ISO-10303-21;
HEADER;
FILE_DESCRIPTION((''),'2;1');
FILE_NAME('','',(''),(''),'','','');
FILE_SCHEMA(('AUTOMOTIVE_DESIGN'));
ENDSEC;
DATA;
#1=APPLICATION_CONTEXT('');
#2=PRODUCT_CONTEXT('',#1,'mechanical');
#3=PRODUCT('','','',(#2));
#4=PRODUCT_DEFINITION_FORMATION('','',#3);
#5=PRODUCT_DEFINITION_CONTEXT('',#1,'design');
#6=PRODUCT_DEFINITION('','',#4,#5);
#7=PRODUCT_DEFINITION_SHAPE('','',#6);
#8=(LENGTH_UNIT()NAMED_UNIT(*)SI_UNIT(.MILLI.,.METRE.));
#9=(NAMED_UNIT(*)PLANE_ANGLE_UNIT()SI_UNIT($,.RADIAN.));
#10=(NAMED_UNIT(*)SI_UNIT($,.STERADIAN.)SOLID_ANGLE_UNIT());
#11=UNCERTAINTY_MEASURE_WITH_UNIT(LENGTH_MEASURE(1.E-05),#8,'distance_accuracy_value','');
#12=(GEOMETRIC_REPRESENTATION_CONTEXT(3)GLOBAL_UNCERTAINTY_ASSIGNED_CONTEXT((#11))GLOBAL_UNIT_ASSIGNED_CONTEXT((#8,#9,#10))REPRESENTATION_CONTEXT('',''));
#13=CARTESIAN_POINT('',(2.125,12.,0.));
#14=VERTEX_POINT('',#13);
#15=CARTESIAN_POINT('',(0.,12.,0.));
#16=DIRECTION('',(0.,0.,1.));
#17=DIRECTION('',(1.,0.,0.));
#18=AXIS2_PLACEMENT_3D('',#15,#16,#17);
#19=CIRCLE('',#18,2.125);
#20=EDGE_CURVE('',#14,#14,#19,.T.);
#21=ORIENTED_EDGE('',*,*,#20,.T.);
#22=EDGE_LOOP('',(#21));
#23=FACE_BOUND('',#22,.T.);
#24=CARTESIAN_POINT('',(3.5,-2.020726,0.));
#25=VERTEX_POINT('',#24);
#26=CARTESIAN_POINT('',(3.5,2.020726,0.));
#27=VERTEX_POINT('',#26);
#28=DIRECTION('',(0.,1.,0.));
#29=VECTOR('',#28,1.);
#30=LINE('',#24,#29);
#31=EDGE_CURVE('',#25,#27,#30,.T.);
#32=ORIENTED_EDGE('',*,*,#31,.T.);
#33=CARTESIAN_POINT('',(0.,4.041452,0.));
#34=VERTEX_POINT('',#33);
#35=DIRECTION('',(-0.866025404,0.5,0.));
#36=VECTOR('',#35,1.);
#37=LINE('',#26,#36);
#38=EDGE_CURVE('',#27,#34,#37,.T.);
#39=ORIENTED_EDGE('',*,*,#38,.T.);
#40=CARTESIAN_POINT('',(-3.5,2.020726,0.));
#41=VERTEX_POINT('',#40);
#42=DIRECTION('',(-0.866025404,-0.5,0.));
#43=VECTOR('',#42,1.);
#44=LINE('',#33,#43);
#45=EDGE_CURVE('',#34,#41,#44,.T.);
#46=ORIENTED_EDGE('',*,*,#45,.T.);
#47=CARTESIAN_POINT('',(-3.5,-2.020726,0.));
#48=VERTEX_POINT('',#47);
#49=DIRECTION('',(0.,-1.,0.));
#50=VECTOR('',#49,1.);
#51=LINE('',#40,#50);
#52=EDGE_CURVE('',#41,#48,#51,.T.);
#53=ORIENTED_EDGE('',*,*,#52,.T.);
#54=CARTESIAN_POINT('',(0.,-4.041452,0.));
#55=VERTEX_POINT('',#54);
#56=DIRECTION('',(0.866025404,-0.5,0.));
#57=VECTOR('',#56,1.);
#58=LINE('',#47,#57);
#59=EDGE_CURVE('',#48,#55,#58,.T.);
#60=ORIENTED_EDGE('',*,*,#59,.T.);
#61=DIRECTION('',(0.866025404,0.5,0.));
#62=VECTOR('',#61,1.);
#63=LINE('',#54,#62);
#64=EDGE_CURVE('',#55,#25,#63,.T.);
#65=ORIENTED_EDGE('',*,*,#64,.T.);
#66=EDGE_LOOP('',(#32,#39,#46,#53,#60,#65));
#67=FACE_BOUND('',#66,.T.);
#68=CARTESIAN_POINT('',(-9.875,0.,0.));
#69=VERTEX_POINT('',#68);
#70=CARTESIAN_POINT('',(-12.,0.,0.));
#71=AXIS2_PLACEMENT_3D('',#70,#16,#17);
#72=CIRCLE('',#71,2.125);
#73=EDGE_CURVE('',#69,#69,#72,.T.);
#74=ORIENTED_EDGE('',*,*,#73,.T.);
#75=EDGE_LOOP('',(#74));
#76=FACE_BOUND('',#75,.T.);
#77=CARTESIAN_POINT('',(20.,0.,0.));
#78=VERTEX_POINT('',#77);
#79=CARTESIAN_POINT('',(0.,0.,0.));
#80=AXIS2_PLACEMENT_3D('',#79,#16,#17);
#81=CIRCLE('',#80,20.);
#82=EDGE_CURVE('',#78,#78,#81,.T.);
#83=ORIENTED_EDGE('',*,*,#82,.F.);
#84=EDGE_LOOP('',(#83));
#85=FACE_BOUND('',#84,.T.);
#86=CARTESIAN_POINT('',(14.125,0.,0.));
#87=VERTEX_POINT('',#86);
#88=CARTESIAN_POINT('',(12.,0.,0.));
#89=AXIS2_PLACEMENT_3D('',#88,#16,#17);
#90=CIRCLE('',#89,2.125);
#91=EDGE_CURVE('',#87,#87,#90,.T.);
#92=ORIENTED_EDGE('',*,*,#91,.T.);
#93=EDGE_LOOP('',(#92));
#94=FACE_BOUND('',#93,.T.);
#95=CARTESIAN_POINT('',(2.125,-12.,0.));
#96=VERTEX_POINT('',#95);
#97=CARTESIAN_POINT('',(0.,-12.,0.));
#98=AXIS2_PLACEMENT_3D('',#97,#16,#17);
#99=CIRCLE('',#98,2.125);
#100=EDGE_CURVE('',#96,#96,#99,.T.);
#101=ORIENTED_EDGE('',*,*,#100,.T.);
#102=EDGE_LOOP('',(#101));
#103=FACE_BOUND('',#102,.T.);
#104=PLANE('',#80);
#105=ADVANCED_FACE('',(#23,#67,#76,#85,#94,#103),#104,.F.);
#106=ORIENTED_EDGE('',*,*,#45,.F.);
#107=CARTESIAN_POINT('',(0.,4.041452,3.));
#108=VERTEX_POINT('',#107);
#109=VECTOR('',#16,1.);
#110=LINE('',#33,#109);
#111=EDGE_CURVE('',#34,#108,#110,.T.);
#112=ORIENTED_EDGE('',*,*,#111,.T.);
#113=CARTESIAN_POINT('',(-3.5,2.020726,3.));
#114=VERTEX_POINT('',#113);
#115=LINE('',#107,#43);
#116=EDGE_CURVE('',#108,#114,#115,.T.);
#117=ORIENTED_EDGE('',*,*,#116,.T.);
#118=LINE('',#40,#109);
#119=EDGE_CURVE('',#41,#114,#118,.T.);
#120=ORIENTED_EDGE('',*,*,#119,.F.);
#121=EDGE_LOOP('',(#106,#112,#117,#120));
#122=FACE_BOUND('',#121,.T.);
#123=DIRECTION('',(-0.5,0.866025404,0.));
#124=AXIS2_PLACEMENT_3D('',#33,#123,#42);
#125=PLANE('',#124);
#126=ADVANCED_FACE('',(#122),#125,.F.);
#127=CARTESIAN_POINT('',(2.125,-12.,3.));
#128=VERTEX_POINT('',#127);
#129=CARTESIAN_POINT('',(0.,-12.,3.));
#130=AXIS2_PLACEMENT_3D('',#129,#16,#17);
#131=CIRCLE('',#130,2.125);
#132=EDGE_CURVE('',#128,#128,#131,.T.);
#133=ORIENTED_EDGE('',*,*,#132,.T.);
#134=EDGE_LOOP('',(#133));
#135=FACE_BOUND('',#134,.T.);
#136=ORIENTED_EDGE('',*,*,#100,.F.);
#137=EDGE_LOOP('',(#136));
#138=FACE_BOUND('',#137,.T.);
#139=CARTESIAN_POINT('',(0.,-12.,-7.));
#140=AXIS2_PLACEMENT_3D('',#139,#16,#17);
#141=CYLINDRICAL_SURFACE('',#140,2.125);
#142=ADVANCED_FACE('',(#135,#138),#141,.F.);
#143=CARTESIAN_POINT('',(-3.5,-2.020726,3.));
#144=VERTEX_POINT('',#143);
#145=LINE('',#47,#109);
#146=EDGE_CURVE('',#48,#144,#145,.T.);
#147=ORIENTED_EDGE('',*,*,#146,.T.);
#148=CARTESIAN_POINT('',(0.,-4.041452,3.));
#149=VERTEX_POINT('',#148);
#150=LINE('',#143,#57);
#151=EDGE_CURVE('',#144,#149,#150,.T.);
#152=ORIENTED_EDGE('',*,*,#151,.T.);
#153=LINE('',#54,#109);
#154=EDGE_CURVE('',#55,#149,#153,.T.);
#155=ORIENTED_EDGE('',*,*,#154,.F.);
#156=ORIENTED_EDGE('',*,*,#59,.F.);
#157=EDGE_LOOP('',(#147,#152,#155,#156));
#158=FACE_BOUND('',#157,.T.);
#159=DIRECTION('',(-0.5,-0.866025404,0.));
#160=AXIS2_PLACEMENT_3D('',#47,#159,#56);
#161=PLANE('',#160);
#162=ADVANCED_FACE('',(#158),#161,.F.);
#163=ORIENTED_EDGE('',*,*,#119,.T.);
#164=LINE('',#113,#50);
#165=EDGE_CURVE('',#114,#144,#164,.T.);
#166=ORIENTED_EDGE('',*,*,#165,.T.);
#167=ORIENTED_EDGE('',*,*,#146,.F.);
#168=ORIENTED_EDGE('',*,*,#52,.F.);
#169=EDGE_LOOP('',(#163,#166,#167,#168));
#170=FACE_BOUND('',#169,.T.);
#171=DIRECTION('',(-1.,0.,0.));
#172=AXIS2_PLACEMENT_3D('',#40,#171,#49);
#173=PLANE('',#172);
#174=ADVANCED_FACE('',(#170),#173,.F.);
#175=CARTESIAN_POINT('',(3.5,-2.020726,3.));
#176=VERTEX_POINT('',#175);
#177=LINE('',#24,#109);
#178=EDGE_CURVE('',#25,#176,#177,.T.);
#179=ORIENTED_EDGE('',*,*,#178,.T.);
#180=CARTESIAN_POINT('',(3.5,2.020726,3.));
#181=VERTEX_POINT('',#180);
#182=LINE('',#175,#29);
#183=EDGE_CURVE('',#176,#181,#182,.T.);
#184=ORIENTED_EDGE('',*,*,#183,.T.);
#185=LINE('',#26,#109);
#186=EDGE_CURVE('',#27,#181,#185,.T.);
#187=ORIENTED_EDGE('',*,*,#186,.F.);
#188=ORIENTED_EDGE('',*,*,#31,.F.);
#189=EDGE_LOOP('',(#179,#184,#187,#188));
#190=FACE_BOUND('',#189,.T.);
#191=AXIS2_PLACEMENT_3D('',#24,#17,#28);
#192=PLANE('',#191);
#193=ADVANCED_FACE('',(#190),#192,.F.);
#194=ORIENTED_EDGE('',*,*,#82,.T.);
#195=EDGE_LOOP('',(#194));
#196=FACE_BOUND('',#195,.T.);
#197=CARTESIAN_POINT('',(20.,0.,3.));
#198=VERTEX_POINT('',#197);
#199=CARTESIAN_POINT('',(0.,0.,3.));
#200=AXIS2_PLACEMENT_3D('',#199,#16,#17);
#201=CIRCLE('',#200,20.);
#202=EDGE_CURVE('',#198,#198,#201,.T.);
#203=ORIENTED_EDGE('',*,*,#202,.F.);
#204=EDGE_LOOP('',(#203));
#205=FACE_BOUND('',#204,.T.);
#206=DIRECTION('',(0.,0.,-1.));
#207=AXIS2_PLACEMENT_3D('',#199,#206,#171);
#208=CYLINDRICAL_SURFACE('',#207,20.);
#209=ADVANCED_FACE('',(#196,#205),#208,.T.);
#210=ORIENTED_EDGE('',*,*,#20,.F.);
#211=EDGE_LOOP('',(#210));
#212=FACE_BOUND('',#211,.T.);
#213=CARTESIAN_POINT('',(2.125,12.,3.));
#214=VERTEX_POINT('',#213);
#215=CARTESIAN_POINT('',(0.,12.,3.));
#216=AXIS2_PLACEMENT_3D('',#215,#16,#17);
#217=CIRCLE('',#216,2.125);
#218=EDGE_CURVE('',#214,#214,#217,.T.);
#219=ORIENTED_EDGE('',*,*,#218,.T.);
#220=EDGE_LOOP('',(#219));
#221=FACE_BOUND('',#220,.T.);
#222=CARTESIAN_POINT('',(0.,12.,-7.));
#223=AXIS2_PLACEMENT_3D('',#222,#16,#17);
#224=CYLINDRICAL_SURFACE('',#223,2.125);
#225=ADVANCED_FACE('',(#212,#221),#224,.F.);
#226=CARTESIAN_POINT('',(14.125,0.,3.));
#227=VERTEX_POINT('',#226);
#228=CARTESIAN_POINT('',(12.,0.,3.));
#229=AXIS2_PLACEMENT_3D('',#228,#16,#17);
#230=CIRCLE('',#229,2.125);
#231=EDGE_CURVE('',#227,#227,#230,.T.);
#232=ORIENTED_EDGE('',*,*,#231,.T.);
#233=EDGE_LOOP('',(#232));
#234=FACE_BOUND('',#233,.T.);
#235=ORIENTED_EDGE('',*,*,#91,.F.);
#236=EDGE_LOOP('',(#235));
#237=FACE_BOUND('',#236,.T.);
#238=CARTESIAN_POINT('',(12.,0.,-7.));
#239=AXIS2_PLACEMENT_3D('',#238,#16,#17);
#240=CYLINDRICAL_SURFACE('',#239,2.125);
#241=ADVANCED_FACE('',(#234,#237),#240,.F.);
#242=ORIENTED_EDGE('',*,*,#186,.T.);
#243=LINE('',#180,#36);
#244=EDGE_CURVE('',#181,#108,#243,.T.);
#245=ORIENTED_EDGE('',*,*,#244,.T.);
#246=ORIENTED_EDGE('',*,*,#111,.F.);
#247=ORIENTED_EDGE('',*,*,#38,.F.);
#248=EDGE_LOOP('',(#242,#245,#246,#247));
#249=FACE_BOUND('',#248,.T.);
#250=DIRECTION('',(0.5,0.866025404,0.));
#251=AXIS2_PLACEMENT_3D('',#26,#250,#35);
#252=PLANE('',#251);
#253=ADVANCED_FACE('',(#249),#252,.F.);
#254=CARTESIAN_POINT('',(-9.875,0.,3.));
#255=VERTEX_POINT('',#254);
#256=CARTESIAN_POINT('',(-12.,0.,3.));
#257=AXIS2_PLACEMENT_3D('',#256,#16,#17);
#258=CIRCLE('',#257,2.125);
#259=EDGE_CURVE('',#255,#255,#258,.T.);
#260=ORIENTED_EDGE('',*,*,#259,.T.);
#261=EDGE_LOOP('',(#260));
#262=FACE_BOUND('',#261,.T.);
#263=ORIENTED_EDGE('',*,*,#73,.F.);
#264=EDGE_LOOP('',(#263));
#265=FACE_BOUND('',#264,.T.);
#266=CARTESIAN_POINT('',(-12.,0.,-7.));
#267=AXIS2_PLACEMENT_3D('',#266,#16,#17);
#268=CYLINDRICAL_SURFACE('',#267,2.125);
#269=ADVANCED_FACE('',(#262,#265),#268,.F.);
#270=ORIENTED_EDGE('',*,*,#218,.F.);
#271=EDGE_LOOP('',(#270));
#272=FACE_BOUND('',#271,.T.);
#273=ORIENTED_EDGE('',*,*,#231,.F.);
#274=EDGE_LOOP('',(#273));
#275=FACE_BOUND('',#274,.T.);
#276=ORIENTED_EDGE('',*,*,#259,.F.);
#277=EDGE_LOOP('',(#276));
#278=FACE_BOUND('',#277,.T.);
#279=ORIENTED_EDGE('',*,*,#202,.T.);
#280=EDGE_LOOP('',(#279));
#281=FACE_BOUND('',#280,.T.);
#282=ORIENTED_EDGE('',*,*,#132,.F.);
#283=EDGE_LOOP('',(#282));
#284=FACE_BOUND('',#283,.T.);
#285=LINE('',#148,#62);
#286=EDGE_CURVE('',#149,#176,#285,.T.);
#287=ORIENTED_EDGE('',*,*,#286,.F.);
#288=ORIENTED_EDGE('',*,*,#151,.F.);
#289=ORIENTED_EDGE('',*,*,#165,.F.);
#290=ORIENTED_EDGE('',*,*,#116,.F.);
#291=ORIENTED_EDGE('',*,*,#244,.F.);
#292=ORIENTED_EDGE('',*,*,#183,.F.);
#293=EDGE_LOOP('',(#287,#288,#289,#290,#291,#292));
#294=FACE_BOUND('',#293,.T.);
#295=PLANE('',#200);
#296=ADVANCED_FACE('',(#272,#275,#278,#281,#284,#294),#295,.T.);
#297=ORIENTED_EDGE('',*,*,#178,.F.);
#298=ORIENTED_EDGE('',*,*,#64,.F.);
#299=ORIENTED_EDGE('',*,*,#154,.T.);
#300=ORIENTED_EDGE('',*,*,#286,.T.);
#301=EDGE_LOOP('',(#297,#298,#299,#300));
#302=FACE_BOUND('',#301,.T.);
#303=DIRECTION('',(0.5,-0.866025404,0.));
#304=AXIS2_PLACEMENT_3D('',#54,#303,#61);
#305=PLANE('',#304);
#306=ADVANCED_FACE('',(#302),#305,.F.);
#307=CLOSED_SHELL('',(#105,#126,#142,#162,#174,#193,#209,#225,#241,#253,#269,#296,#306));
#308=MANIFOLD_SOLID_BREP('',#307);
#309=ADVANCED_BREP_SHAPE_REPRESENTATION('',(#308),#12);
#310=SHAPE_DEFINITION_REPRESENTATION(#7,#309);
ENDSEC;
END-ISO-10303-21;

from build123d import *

# Parameters (mm, degrees)
SKETCH1_R           = 20
BOSS_EXTRUDE1_DEPTH = 3
CUT_EXTRUDE2_DEPTH  = 3
SKETCH4_R           = 2.125
CUT_EXTRUDE3_DEPTH  = 10


with BuildPart() as part:
    # Sketch1 → Boss-Extrude1 (new body)
    with BuildSketch(Plane.XY):
        Circle(SKETCH1_R)
    extrude(amount=BOSS_EXTRUDE1_DEPTH)

    # Sketch3 → Cut-Extrude2 (cut)
    with BuildSketch(Plane.XY.offset(3)):
        Polygon((0, 4.041451884), (-3.5, 2.020725942), (-3.5, -2.020725942), (0, -4.041451884), (3.5, -2.020725942), (3.5, 2.020725942), align=None)
    extrude(amount=-CUT_EXTRUDE2_DEPTH, mode=Mode.SUBTRACT)

    # Sketch4 → Cut-Extrude3 (cut)
    with BuildSketch(Plane.XY.offset(3)):
        with Locations((0, 12)):
            Circle(SKETCH4_R)
        with Locations((12, 0)):
            Circle(SKETCH4_R)
        with Locations((0, -12)):
            Circle(SKETCH4_R)
        with Locations((-12, 0)):
            Circle(SKETCH4_R)
    extrude(amount=-CUT_EXTRUDE3_DEPTH, mode=Mode.SUBTRACT)


solid = part.part
